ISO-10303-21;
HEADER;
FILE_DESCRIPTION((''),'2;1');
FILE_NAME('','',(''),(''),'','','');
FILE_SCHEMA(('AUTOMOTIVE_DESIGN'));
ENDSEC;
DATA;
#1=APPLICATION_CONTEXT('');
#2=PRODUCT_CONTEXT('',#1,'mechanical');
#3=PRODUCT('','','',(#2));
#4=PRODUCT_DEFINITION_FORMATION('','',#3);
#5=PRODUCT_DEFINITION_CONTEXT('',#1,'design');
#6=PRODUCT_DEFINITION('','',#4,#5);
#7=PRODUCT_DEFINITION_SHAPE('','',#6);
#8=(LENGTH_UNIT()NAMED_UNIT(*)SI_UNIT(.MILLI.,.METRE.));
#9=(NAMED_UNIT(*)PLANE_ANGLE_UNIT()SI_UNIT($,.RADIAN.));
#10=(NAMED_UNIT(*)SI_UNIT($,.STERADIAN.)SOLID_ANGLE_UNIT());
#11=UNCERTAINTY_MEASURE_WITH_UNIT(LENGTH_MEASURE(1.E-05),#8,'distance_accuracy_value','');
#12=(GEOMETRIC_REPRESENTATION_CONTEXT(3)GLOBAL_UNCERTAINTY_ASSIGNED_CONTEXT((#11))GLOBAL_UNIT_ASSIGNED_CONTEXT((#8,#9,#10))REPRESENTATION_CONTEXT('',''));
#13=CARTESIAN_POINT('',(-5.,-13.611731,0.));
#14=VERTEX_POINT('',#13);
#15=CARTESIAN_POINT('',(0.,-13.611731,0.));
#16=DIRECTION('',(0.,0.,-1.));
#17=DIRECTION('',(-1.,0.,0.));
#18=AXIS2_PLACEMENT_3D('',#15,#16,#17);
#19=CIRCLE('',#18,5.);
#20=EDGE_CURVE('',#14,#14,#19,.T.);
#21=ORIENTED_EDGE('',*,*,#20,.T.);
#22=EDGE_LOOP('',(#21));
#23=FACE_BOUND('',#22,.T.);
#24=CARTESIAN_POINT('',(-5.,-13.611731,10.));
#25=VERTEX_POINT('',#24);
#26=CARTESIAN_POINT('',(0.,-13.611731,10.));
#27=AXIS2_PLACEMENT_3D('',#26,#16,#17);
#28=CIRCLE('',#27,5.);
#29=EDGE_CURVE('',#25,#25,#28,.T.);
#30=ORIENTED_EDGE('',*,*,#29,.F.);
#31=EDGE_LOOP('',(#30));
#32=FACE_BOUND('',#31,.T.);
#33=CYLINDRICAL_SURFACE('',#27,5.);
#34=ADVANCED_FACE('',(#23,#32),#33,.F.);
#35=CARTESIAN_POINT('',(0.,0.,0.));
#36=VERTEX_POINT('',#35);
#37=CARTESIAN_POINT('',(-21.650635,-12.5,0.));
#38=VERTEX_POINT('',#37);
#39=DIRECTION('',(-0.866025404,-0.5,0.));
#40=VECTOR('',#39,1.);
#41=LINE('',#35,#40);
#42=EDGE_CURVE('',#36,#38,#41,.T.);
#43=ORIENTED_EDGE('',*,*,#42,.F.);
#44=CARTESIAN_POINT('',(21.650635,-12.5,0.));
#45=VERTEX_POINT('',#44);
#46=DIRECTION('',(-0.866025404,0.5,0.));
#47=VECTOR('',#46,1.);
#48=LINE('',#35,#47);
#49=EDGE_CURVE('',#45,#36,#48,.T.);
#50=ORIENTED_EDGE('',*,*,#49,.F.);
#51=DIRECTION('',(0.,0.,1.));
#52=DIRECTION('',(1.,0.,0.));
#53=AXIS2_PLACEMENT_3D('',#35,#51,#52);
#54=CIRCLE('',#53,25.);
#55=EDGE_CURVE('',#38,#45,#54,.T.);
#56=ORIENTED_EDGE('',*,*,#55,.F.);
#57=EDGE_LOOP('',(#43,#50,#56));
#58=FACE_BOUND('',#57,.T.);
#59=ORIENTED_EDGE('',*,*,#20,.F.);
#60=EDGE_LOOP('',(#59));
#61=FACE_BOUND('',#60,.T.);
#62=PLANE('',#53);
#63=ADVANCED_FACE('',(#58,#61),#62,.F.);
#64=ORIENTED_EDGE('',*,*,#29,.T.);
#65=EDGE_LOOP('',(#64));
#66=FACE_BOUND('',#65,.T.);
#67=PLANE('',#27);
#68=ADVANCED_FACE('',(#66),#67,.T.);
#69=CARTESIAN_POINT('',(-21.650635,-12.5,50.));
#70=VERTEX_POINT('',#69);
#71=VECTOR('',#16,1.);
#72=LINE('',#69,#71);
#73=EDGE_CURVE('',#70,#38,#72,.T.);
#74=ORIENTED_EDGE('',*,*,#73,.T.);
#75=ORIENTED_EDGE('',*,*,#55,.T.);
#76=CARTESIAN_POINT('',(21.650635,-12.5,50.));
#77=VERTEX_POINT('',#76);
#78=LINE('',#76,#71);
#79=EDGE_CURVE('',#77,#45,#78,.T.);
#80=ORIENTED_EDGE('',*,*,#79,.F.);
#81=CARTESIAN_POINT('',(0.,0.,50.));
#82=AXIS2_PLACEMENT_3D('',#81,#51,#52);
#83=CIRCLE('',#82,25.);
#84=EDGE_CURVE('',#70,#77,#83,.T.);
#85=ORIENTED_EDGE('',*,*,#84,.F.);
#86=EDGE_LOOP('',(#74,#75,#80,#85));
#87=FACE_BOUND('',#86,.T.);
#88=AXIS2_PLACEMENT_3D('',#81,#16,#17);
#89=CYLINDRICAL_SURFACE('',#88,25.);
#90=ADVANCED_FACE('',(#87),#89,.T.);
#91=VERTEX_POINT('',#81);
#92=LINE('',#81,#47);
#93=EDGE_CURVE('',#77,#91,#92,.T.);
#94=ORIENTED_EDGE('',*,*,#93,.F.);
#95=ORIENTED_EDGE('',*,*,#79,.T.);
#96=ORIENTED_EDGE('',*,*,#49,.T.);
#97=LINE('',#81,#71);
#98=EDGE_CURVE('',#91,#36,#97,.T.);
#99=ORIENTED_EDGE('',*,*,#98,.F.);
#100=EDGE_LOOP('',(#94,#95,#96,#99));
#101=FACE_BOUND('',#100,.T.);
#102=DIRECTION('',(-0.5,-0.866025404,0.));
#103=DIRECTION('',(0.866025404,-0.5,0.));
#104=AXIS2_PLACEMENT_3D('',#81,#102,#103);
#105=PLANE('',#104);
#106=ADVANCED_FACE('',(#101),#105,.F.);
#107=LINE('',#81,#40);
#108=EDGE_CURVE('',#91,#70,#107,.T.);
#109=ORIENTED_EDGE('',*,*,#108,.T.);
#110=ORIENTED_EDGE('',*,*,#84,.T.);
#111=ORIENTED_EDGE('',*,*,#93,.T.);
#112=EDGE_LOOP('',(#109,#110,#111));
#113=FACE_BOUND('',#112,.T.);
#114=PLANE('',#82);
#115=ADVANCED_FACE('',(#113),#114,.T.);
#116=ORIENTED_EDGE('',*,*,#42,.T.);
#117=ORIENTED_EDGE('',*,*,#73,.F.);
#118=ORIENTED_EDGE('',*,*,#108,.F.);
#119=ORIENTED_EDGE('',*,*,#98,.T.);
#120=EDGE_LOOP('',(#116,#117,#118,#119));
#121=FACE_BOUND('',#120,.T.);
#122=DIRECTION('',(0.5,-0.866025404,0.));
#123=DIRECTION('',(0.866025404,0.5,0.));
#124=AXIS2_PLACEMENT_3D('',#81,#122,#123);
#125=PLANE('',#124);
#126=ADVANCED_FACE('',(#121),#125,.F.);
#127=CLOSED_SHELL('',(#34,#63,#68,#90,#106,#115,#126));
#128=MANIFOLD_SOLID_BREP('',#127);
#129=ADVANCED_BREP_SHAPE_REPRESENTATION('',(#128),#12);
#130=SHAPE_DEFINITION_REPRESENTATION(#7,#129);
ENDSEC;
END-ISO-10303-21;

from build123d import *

# Parameters (mm, degrees)
SALIENTE_EXTRUIR1_DEPTH = 50
CROQUIS2_R              = 5
CORTAR_EXTRUIR1_DEPTH   = 10


with BuildPart() as part:
    # Croquis1 → Saliente-Extruir1 (new body)
    with BuildSketch(Plane.XY):
        with BuildLine():
            Line((0, 0), (-21.650635095, -12.5))
            ThreePointArc((-21.650635095, -12.5), (0, -25), (21.650635095, -12.5))
            Line((21.650635095, -12.5), (0, 0))
        make_face()
    extrude(amount=SALIENTE_EXTRUIR1_DEPTH)

    # Croquis2 → Cortar-Extruir1 (cut)
    with BuildSketch(Plane(origin=(0, 0, 0), x_dir=(-1, 0, 0), z_dir=(0, 0, -1))):
        with Locations((0, -13.611730672)):
            Circle(CROQUIS2_R)
    extrude(amount=-CORTAR_EXTRUIR1_DEPTH, mode=Mode.SUBTRACT)


solid = part.part
